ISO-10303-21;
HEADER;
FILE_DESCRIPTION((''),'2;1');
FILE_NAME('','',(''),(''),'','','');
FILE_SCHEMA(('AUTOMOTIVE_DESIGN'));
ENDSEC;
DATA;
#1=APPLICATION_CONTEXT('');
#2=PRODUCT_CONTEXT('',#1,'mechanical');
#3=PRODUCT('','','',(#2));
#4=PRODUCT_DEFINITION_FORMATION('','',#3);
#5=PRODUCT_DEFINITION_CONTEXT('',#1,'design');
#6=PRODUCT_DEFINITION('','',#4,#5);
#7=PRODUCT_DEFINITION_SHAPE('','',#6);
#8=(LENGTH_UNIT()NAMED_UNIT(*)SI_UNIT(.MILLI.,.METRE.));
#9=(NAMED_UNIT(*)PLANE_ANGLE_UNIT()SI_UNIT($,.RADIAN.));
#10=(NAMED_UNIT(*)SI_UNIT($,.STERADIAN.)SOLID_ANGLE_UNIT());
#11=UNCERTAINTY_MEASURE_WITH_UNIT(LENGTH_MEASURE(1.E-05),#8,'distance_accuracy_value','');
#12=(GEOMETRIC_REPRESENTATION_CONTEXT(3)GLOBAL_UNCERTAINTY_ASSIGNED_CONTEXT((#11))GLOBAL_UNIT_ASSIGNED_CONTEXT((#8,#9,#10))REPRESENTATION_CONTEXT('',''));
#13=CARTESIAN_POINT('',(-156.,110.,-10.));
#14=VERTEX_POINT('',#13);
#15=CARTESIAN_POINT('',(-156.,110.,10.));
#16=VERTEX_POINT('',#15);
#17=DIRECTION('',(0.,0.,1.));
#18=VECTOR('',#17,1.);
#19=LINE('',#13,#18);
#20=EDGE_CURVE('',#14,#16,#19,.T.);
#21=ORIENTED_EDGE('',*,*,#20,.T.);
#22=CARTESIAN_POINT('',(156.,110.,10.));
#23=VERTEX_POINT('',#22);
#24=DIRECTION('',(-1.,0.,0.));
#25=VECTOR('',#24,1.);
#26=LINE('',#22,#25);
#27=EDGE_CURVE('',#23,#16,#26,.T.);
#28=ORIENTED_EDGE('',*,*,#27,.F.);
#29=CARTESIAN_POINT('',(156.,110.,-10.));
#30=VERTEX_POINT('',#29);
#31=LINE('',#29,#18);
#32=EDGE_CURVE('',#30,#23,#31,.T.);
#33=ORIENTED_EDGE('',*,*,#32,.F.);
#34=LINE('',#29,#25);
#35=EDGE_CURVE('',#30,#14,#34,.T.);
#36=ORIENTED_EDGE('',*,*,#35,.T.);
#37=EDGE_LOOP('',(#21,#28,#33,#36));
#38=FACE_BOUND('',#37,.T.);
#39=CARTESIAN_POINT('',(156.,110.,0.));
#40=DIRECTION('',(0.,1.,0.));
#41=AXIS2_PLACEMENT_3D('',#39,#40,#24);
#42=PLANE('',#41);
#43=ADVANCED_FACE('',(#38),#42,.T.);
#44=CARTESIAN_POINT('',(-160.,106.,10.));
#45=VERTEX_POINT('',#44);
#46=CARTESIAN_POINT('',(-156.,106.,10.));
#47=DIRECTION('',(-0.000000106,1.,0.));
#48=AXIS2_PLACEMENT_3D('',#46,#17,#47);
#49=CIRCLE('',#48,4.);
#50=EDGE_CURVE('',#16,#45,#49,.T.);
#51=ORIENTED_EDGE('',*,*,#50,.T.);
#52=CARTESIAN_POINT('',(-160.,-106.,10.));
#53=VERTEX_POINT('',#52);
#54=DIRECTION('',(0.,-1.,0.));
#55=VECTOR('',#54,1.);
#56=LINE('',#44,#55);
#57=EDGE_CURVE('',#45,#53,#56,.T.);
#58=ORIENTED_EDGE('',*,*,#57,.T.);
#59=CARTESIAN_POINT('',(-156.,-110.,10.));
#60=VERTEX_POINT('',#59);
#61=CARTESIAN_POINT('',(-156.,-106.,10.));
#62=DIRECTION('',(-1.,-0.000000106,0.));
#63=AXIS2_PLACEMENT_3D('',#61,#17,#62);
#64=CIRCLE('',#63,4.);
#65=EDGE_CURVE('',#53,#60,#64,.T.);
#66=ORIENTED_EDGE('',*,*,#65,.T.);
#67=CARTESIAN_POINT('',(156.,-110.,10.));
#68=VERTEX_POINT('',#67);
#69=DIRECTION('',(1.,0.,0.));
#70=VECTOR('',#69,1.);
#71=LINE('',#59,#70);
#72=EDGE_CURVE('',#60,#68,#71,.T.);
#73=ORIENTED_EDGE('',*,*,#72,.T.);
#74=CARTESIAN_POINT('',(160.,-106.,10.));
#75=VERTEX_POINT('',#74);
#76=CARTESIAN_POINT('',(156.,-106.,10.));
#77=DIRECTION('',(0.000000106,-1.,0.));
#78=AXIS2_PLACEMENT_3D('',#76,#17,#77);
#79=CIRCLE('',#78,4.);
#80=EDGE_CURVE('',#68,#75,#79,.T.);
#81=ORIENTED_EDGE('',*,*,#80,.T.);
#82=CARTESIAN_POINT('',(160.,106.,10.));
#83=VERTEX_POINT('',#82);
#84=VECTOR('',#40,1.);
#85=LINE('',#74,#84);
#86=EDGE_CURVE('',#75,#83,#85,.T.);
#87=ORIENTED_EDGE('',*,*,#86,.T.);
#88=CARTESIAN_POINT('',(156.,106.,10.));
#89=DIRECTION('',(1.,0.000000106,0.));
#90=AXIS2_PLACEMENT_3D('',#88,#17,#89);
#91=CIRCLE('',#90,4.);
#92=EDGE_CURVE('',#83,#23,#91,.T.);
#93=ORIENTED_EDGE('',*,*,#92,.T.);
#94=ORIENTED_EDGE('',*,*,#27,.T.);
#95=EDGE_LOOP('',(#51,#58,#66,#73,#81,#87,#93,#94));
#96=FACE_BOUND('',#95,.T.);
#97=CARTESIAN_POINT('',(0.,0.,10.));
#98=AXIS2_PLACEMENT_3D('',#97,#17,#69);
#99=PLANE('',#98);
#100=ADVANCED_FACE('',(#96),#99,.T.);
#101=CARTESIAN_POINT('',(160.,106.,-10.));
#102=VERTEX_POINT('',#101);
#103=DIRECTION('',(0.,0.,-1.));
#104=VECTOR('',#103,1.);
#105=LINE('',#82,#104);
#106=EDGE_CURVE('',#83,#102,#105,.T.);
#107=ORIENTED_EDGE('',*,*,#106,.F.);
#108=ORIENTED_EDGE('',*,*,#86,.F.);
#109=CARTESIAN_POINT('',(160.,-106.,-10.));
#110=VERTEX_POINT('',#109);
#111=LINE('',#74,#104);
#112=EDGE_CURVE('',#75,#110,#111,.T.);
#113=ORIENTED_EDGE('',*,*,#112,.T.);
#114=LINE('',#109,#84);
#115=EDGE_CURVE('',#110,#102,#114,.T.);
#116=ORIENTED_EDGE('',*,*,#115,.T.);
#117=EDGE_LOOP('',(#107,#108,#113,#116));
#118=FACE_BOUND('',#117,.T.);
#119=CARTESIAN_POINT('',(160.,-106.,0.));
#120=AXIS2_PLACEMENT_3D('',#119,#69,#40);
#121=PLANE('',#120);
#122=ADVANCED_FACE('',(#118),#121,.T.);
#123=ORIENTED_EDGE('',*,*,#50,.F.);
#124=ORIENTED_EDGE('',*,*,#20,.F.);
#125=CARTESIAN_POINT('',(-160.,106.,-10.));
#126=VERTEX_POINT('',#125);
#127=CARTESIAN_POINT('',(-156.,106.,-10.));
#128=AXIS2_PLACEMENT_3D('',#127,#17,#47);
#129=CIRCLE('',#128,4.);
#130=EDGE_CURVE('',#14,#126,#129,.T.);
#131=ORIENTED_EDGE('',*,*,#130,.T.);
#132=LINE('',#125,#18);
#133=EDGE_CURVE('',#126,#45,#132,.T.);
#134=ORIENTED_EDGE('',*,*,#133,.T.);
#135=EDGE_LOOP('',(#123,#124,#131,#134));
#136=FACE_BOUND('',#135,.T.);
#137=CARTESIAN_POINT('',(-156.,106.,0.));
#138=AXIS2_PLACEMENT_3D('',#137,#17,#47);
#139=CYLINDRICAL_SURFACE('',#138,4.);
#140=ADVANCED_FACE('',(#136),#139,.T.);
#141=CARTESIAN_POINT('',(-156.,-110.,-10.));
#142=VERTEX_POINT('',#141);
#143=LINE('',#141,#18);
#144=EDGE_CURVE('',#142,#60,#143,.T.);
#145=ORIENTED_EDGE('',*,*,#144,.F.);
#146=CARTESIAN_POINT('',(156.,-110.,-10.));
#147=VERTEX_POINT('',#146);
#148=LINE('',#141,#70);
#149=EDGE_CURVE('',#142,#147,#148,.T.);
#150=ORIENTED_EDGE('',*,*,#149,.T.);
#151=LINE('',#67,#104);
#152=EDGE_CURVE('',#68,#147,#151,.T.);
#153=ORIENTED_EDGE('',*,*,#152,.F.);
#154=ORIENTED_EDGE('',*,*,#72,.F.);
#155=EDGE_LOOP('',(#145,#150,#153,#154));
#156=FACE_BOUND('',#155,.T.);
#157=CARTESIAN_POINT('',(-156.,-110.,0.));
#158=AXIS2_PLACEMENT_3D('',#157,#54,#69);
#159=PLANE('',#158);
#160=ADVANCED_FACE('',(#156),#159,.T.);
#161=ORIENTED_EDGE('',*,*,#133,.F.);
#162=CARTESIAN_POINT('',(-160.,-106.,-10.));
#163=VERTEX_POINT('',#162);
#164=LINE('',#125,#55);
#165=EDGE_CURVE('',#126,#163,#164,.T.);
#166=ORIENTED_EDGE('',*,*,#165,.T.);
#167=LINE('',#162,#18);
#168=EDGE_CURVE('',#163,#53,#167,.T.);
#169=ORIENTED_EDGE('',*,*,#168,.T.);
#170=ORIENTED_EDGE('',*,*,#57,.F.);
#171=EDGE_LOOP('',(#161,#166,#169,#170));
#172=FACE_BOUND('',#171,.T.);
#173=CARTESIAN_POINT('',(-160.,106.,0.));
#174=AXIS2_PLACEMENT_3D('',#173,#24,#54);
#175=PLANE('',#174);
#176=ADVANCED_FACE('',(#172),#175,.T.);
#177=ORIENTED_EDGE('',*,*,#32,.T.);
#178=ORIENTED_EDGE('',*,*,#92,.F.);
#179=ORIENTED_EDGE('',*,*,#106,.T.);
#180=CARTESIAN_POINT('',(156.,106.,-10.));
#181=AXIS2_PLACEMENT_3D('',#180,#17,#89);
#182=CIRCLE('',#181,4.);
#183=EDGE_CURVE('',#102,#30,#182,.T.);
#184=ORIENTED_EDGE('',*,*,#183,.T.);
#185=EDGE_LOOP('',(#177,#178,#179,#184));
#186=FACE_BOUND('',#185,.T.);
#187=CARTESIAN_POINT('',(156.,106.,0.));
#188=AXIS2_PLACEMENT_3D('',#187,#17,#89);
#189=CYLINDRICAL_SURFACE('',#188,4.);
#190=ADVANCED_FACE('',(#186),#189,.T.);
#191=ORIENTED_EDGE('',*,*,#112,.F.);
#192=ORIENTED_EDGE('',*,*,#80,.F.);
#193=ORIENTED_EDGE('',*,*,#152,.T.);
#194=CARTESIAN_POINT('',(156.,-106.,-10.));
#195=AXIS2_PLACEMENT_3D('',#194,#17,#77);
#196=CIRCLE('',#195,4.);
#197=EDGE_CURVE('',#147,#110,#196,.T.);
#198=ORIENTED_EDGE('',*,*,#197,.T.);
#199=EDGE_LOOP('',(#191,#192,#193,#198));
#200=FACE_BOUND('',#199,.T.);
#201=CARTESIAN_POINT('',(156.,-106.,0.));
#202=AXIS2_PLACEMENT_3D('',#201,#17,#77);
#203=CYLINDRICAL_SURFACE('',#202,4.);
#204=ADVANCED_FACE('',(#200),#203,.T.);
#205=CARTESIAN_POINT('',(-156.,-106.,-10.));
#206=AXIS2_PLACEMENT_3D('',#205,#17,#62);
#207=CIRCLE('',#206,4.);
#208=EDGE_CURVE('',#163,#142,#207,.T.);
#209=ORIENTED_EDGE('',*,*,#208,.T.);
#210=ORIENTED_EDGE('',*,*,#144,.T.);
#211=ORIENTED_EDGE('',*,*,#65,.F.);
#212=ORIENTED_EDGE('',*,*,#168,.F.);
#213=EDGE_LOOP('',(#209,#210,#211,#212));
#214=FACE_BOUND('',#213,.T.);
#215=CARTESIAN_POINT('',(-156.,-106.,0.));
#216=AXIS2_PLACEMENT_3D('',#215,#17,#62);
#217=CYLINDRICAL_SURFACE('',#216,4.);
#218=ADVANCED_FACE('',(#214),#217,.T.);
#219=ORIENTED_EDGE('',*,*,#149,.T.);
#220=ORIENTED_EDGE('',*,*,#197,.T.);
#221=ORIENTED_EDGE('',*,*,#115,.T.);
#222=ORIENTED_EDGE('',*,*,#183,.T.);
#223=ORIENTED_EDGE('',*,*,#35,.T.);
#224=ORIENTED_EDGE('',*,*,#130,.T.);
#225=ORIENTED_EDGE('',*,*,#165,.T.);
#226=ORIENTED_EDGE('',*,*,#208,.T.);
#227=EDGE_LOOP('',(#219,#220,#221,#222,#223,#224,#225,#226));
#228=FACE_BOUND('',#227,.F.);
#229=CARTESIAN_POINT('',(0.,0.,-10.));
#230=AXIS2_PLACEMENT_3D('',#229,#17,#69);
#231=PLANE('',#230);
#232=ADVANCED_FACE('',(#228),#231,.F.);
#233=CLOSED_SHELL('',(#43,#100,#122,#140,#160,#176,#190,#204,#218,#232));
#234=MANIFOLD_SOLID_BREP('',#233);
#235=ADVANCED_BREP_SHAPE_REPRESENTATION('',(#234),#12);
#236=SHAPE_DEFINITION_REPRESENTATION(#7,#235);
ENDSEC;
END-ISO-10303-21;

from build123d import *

# Parameters (mm, degrees)
F1_DEPTH = 10


with BuildPart() as f1:
    # F0 (on Top) → F1 (new body, symmetric)
    with BuildSketch(Plane.XY):
        with BuildLine():
            ThreePointArc((160, 106), (158.828427, 108.828427), (156, 110))
            Line((156, 110), (-156, 110))
            ThreePointArc((-156, 110), (-158.828427, 108.828427), (-160, 106))
            Line((-160, 106), (-160, -106))
            ThreePointArc((-160, -106), (-158.828427, -108.828427), (-156, -110))
            Line((-156, -110), (156, -110))
            ThreePointArc((156, -110), (158.828427, -108.828427), (160, -106))
            Line((160, -106), (160, 106))
        make_face()
    extrude(amount=F1_DEPTH, both=True)


solid = f1.part
